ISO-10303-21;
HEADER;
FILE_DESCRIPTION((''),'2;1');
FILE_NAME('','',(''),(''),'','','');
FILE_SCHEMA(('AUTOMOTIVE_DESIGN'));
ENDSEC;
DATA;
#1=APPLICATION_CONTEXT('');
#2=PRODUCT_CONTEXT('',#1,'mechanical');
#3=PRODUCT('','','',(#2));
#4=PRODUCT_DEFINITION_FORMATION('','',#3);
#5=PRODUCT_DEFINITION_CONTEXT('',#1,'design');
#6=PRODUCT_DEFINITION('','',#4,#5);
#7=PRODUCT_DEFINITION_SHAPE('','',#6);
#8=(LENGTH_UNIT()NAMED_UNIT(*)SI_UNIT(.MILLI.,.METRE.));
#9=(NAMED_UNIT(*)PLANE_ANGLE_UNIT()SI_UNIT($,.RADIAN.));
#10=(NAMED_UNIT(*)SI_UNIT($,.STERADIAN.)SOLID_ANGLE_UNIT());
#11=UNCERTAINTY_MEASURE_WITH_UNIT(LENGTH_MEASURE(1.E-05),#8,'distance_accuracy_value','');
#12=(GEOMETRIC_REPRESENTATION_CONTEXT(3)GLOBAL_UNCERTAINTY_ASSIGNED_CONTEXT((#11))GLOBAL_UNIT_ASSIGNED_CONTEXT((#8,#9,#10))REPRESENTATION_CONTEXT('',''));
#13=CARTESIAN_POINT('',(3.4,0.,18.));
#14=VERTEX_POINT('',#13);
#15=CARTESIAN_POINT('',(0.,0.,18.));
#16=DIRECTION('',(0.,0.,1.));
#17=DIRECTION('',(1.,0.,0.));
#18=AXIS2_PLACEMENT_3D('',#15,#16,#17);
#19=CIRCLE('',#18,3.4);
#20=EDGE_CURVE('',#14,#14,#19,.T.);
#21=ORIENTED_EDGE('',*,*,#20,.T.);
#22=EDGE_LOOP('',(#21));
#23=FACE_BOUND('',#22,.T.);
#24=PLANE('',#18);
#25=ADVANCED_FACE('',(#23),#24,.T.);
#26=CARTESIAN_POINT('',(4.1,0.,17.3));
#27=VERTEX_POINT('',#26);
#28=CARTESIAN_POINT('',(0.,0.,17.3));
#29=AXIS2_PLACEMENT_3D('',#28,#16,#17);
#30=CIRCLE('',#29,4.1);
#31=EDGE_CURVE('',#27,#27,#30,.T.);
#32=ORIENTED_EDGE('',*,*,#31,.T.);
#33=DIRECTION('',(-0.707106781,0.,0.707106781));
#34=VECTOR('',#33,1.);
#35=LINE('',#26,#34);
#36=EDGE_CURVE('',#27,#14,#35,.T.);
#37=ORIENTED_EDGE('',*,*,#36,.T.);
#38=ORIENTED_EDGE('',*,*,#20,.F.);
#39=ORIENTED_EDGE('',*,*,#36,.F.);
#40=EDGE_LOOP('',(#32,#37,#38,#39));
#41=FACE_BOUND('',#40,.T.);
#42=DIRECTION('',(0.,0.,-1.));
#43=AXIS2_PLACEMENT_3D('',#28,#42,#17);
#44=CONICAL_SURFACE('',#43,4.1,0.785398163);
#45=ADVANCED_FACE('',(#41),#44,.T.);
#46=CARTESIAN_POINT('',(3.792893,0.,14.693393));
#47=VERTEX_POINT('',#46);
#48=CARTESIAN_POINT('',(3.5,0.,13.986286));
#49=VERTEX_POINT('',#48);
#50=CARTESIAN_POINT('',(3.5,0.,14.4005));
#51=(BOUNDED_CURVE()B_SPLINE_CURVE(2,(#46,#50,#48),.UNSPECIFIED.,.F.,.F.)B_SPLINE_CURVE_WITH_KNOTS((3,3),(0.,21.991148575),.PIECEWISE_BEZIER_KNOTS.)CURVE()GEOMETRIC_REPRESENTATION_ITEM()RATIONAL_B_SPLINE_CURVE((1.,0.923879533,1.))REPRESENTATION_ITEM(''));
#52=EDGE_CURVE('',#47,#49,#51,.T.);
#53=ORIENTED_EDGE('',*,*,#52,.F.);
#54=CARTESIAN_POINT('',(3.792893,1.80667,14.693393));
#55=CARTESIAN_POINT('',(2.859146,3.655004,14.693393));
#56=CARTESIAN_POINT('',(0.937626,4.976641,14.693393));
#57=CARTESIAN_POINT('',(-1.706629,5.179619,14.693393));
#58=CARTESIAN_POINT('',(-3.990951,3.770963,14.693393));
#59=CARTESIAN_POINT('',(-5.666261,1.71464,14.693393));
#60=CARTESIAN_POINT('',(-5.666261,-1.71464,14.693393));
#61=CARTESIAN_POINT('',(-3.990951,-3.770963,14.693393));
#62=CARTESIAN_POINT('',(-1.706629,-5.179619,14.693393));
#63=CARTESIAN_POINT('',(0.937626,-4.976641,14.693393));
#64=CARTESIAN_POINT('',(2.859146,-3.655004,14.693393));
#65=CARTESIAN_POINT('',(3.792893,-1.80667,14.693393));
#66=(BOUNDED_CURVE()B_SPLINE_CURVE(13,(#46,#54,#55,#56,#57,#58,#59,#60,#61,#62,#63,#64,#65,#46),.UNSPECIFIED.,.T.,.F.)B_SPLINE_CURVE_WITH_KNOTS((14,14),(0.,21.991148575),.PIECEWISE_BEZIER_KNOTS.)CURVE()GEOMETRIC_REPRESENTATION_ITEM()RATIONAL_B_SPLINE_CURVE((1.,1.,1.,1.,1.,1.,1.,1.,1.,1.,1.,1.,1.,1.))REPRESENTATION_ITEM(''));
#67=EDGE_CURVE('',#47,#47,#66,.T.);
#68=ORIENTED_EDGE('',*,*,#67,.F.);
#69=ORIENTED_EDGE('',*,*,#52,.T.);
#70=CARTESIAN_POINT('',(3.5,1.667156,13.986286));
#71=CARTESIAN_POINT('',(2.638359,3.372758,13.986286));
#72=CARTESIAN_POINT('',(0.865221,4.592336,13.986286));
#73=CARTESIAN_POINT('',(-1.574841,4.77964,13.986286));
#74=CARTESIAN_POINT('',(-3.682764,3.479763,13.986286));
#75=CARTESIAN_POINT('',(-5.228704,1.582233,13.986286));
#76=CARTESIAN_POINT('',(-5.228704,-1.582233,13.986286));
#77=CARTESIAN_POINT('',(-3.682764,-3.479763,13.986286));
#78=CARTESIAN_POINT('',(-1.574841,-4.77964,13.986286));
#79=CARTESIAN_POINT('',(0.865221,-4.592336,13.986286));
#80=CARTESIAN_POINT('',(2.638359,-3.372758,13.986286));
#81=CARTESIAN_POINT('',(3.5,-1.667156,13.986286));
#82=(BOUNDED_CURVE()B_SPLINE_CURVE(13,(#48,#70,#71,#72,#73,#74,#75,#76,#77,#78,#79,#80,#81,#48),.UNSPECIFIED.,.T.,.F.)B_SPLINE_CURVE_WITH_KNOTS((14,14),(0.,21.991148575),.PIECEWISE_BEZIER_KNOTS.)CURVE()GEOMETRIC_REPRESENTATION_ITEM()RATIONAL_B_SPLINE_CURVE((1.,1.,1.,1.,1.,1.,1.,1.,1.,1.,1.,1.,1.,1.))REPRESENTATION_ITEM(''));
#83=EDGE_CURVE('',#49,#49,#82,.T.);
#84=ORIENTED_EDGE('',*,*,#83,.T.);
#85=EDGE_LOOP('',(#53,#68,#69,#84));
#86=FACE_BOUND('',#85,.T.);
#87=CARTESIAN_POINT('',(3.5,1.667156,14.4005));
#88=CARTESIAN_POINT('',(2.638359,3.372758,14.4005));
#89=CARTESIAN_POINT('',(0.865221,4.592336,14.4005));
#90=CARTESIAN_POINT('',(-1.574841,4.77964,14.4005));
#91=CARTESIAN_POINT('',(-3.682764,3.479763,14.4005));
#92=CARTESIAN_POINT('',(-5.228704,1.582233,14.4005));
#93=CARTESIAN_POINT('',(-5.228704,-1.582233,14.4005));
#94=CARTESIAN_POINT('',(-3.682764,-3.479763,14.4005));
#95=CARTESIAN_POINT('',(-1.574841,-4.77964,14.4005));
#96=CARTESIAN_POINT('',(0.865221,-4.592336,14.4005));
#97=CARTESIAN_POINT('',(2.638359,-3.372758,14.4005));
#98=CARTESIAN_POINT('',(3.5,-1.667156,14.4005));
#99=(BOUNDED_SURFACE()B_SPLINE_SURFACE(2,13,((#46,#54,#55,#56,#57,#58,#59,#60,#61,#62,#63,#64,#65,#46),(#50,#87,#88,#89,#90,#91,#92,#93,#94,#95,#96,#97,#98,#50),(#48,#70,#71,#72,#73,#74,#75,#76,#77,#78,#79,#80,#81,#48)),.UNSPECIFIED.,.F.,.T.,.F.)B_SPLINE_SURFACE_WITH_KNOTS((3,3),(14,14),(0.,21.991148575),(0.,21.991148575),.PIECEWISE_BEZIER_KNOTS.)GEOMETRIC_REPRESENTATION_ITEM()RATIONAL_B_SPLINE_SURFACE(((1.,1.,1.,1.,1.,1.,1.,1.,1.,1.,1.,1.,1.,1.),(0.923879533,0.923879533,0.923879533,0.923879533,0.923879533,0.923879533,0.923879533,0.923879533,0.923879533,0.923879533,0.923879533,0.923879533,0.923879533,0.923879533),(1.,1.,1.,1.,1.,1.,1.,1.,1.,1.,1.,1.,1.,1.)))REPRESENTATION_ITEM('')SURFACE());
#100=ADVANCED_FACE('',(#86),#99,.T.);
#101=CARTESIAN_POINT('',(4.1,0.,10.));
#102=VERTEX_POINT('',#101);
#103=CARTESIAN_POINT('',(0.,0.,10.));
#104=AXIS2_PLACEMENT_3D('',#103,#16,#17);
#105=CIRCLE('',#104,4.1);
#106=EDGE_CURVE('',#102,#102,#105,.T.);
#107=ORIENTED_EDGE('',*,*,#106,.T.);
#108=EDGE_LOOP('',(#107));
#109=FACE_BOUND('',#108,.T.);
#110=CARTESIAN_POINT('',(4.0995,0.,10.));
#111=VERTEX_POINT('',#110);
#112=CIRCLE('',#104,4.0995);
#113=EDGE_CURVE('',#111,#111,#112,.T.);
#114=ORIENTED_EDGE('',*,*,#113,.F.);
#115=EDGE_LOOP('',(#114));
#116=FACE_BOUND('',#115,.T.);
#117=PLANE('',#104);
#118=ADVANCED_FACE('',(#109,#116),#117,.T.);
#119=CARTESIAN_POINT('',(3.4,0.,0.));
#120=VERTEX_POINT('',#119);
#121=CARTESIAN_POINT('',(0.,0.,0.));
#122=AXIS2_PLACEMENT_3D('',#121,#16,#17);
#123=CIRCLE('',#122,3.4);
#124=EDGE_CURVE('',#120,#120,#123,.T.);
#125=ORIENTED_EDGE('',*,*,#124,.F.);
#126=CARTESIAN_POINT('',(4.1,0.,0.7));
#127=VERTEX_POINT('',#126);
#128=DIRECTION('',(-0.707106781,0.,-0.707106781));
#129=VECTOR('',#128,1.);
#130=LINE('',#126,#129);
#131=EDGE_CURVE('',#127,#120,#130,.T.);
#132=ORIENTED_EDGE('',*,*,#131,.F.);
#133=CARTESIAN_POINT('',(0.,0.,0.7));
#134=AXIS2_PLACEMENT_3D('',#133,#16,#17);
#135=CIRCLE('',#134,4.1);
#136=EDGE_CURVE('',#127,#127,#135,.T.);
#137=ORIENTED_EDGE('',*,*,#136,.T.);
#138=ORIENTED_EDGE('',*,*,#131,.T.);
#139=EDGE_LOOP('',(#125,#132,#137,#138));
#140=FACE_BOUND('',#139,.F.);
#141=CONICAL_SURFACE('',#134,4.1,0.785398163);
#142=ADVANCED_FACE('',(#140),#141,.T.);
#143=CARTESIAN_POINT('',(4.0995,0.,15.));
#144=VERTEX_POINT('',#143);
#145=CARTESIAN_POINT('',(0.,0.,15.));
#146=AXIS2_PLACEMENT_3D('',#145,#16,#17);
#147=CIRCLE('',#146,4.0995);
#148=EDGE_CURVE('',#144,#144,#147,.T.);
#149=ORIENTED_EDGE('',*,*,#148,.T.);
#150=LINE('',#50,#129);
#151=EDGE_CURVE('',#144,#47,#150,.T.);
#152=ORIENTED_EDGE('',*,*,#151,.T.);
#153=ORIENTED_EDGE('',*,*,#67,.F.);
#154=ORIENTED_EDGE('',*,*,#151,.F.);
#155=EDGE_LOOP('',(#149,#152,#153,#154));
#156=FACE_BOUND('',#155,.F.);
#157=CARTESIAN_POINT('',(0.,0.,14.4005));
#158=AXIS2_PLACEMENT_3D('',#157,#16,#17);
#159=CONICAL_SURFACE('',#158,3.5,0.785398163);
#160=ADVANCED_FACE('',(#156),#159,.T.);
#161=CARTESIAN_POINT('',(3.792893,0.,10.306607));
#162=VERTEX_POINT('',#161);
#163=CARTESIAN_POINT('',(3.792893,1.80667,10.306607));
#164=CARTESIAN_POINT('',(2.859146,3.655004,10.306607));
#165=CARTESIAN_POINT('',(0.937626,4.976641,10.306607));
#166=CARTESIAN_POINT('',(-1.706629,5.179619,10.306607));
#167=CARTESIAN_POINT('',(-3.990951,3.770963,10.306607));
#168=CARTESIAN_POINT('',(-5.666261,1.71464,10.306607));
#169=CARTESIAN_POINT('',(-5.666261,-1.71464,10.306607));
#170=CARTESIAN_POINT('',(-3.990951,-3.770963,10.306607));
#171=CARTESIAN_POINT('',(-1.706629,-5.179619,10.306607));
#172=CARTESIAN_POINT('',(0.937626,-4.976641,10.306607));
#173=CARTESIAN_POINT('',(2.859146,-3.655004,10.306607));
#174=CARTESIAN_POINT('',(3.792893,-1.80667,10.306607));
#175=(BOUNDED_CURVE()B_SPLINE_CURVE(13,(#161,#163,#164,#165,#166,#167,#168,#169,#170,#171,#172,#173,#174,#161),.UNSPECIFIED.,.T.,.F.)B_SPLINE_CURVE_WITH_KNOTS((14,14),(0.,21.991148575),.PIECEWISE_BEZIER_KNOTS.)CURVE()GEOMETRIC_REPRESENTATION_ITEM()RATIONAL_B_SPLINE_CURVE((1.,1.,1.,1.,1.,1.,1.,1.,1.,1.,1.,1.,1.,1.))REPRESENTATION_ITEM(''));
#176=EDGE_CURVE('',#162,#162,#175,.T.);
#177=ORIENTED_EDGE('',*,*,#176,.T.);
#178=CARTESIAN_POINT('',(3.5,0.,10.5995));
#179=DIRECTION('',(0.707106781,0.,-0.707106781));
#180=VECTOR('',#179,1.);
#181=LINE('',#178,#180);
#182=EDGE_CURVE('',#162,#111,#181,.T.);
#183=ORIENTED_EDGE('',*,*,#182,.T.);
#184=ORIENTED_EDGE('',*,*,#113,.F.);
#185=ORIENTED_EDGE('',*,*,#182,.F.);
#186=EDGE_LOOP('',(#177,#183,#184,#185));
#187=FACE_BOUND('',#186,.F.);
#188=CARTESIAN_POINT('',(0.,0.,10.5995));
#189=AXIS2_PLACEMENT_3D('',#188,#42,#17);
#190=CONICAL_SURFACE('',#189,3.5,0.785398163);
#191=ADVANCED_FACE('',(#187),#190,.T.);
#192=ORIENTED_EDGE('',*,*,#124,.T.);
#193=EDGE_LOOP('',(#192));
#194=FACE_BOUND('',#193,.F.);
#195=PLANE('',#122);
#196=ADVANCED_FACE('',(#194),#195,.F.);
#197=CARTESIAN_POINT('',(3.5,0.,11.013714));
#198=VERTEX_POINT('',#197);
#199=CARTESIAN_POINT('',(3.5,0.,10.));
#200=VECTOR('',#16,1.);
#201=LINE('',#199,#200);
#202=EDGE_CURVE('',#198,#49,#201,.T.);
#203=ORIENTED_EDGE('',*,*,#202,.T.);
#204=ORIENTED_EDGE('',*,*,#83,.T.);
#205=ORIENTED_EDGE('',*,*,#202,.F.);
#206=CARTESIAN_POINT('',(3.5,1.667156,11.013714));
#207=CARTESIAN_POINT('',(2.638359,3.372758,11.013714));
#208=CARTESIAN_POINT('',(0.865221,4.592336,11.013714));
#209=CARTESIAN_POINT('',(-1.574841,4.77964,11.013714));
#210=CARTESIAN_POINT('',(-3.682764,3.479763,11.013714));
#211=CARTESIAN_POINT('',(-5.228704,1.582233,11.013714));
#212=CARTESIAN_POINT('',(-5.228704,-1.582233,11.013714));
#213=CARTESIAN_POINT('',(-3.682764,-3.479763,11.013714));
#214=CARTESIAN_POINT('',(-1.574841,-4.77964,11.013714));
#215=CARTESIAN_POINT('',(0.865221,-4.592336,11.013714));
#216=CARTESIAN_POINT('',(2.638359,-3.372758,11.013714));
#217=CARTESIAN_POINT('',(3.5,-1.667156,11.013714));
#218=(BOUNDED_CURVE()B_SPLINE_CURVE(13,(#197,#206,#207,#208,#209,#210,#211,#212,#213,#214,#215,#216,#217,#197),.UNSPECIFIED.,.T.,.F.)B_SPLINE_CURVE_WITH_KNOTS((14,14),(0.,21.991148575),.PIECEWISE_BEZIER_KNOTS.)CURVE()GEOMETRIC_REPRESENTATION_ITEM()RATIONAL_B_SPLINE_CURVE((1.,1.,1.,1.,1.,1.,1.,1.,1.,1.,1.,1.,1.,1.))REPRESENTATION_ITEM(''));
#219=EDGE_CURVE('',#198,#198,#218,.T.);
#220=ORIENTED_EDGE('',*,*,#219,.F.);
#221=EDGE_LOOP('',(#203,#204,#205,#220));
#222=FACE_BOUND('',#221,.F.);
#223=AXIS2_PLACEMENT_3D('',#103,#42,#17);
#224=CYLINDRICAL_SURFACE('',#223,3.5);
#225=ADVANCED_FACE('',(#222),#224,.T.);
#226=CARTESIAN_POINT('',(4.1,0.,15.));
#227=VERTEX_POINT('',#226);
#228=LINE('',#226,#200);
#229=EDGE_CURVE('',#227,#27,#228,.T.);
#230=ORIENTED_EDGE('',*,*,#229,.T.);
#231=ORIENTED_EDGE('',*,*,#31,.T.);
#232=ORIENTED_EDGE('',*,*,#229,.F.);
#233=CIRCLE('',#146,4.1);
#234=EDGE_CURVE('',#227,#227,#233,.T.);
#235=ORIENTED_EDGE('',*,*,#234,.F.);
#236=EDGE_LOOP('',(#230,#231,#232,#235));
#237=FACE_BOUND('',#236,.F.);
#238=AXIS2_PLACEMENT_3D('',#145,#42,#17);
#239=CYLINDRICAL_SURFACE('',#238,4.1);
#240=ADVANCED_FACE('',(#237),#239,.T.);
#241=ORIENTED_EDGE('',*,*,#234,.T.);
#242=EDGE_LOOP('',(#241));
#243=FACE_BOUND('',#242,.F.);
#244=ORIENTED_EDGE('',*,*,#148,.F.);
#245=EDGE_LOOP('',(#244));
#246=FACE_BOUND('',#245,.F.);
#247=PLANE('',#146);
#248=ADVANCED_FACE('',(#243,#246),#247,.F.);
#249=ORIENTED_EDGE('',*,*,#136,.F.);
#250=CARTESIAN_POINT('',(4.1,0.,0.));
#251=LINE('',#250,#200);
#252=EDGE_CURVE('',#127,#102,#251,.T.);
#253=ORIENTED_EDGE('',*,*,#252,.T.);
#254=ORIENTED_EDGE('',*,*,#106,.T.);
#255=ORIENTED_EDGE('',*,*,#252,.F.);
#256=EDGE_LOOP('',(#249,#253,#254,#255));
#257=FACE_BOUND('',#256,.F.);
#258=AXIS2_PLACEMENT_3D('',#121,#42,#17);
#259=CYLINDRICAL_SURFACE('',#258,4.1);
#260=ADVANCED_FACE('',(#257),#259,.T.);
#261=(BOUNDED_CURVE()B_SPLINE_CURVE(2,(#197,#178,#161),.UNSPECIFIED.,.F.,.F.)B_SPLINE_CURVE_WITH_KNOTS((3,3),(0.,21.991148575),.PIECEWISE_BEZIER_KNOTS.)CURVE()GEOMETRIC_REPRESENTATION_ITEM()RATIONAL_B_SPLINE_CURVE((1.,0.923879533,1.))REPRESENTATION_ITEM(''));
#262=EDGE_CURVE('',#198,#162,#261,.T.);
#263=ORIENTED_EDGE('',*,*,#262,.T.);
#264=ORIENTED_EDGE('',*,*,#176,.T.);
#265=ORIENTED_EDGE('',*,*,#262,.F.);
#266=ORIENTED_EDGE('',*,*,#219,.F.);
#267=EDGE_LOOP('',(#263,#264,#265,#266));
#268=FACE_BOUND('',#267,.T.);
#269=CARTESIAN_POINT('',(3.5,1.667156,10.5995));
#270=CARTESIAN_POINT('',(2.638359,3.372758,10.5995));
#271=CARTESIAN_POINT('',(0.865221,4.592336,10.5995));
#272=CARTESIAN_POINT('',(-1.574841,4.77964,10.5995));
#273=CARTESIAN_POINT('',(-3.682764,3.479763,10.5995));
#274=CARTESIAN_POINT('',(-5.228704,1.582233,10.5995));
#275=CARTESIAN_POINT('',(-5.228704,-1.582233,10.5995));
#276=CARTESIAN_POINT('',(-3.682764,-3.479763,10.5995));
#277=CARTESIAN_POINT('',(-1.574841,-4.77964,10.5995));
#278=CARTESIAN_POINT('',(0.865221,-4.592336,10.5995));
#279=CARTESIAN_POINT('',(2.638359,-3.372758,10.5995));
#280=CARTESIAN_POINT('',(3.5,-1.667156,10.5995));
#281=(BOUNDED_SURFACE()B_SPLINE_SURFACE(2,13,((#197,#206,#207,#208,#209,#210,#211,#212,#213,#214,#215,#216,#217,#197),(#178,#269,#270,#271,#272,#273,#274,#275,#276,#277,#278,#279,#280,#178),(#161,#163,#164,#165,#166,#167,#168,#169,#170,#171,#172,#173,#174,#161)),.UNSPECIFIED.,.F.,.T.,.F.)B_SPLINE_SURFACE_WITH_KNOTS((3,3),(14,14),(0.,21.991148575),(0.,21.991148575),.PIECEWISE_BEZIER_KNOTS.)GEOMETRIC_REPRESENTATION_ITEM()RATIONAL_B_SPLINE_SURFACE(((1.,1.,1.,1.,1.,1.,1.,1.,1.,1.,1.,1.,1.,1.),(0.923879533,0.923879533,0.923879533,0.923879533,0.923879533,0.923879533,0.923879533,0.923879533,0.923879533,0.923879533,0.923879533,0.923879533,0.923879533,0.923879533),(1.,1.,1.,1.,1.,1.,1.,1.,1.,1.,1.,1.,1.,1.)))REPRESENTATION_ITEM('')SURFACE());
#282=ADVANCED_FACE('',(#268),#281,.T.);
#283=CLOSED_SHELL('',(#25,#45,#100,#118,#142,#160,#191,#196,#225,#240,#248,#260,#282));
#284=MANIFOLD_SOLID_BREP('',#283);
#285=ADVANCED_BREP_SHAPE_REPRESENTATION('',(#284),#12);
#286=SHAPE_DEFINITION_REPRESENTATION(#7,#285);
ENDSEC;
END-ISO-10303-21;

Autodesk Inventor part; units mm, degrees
ref_plane "YZ Plane" through (0, 0, 0) normal (1, 0, 0) x (0, 1, 0)
ref_plane "XZ Plane" through (0, 0, 0) normal (0, 1, 0) x (-1, 0, 0)
ref_plane "XY Plane" through (0, 0, 0) normal (0, 0, 1) x (1, 0, 0)
sketch "スケッチ1" plane through (0, 0, 0) normal (0, 0, 1) x (1, 0, 0)
  circle A0 centre (0, 0) radius 4.1
  dimension "d0" = 8.2
extrude "押し出し1" add sketch "スケッチ1" along normal blind 10
sketch "スケッチ2" plane through (0, 0, 10) normal (0, 0, 1) x (1, 0, 0)
  circle A0 centre (0, 0) radius 3.5
  dimension "d3" = 7
extrude "押し出し2" add sketch "スケッチ2" along normal blind 5
sketch "スケッチ3" plane through (0, 0, 15) normal (0, 0, 1) x (1, 0, 0)
  circle A0 centre (0, 0) radius 4.1
  circle A1 centre (0, 0) radius 4.1 projected
  circle A2 centre (0, 0) radius 4.1 projected
  point P0 (0, 4.1)
extrude "押し出し3" add sketch "スケッチ3" along normal blind 3
chamfer "面取り1" distance 0.6 angle 45 2 edges at (-3.5, 0, 10) (-3.5, 0, 15)
chamfer "面取り2" distance 0.7 angle 45 2 edges at (-4.1, 0, 18) (-4.1, 0, 0)
fillet "フィレット1" radius 1 2 edges at (-3.5, 0, 10.5995) (-3.5, 0, 14.4005)
properties part number "stopper_inhibitory"
